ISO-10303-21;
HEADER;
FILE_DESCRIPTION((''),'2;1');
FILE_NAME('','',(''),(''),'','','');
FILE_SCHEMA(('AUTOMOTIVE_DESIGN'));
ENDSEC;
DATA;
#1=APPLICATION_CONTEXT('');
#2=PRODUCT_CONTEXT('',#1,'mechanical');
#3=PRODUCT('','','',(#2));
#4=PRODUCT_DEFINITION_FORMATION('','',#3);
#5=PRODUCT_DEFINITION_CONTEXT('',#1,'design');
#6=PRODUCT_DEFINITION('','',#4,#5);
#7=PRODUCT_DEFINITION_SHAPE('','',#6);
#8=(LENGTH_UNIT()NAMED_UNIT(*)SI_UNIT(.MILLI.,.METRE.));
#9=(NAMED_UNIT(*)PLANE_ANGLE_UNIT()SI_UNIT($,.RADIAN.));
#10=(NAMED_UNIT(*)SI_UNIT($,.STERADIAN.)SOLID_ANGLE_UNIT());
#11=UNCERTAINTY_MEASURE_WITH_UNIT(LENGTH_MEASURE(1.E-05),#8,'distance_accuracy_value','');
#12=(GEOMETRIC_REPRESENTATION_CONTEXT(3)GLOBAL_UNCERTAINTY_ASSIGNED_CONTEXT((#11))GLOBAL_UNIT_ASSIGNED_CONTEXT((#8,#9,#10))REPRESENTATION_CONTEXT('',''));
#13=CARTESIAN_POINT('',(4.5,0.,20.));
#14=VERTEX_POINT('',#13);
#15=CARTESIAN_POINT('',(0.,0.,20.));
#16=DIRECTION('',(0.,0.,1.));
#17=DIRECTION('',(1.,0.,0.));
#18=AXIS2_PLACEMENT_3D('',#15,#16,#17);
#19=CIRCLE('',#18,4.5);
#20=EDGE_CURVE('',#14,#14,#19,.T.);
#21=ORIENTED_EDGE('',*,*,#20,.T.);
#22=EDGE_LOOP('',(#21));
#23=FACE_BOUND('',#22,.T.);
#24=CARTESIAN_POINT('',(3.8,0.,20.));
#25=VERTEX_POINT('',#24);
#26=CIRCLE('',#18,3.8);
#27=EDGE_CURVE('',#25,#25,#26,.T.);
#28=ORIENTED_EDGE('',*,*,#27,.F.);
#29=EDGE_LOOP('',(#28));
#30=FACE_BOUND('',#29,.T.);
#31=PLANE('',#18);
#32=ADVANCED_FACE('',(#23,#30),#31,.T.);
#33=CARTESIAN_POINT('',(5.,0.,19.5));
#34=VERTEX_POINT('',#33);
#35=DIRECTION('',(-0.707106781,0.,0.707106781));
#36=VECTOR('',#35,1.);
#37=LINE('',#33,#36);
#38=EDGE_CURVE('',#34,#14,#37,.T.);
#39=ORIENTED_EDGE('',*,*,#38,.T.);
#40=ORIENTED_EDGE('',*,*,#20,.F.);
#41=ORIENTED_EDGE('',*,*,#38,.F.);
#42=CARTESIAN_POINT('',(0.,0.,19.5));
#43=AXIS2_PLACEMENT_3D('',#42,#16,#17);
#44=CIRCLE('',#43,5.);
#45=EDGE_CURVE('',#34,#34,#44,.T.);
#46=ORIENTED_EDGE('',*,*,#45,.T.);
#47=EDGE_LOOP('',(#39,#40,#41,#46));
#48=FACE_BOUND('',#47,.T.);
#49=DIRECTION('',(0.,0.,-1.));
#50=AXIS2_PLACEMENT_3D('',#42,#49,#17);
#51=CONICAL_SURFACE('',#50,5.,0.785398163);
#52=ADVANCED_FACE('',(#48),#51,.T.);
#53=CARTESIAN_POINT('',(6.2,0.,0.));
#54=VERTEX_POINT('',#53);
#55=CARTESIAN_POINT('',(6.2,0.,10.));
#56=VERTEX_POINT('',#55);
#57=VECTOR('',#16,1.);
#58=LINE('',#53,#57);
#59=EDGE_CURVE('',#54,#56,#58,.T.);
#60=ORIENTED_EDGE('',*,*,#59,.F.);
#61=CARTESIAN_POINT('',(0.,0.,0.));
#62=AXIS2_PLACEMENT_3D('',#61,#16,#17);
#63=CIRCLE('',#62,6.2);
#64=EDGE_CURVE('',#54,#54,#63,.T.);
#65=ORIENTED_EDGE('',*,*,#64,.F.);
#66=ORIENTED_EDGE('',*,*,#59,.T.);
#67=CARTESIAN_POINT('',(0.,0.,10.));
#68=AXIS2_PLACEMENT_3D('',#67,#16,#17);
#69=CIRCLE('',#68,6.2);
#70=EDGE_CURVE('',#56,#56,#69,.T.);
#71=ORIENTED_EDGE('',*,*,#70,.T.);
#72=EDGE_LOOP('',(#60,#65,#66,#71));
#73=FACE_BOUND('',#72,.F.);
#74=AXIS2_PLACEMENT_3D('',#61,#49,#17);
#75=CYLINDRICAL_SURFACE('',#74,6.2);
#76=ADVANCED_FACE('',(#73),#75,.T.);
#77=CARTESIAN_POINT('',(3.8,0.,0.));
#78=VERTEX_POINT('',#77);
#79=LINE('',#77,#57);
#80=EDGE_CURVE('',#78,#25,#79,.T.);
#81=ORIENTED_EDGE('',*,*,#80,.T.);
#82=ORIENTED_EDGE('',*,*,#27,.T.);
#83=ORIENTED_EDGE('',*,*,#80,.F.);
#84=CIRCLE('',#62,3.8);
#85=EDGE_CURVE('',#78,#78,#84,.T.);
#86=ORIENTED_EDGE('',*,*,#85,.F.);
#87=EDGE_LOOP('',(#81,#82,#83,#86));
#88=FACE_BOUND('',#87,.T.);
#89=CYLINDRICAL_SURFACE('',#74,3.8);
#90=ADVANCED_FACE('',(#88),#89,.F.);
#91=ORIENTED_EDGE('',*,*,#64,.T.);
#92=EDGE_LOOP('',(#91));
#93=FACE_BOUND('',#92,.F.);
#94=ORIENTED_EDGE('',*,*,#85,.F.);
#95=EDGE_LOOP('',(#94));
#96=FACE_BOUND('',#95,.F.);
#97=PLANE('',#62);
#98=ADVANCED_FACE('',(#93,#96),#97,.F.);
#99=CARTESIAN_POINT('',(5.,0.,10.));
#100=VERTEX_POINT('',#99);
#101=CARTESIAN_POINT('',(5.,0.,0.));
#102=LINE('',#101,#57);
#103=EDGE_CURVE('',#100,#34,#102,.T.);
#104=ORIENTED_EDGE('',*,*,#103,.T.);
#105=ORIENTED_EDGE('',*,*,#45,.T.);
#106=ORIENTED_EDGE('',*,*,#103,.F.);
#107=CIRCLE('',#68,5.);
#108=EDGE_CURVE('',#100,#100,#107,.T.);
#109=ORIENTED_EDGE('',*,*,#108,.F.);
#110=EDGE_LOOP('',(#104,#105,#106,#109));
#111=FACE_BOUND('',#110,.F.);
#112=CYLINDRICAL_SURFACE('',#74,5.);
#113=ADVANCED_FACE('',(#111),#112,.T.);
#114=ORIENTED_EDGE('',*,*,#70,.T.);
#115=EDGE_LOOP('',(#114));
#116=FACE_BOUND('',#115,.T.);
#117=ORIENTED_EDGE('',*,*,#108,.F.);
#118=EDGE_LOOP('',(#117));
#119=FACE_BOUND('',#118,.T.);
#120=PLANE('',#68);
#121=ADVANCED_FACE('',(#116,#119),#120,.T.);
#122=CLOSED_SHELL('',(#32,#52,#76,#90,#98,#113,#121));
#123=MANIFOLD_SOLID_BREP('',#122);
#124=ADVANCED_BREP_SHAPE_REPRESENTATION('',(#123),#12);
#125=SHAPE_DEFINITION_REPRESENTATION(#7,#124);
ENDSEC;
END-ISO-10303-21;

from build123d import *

# Parameters (mm, degrees)
F0_R     = 6.2
F0_R_2   = 5
F1_DEPTH = 10
F0_R_3   = 3.8
F2_DEPTH = 20
F3_SIZE  = 0.5


with BuildPart() as f1:
    # F0 (on Top) → F1 (new body)
    with BuildSketch(Plane.XY):
        Circle(F0_R)
        Circle(F0_R_2, mode=Mode.SUBTRACT)
    extrude(amount=F1_DEPTH)

    # F0 (on Top) → F2 (join)
    with BuildSketch(Plane.XY):
        Circle(F0_R_2)
        Circle(F0_R_3, mode=Mode.SUBTRACT)
    extrude(amount=F2_DEPTH)

    # F3
    f3_edges = [f1.edges().sort_by_distance(p)[0] for p in [
        (-5, 0, 20),
    ]]
    chamfer(f3_edges, length=F3_SIZE)


solid = f1.part
